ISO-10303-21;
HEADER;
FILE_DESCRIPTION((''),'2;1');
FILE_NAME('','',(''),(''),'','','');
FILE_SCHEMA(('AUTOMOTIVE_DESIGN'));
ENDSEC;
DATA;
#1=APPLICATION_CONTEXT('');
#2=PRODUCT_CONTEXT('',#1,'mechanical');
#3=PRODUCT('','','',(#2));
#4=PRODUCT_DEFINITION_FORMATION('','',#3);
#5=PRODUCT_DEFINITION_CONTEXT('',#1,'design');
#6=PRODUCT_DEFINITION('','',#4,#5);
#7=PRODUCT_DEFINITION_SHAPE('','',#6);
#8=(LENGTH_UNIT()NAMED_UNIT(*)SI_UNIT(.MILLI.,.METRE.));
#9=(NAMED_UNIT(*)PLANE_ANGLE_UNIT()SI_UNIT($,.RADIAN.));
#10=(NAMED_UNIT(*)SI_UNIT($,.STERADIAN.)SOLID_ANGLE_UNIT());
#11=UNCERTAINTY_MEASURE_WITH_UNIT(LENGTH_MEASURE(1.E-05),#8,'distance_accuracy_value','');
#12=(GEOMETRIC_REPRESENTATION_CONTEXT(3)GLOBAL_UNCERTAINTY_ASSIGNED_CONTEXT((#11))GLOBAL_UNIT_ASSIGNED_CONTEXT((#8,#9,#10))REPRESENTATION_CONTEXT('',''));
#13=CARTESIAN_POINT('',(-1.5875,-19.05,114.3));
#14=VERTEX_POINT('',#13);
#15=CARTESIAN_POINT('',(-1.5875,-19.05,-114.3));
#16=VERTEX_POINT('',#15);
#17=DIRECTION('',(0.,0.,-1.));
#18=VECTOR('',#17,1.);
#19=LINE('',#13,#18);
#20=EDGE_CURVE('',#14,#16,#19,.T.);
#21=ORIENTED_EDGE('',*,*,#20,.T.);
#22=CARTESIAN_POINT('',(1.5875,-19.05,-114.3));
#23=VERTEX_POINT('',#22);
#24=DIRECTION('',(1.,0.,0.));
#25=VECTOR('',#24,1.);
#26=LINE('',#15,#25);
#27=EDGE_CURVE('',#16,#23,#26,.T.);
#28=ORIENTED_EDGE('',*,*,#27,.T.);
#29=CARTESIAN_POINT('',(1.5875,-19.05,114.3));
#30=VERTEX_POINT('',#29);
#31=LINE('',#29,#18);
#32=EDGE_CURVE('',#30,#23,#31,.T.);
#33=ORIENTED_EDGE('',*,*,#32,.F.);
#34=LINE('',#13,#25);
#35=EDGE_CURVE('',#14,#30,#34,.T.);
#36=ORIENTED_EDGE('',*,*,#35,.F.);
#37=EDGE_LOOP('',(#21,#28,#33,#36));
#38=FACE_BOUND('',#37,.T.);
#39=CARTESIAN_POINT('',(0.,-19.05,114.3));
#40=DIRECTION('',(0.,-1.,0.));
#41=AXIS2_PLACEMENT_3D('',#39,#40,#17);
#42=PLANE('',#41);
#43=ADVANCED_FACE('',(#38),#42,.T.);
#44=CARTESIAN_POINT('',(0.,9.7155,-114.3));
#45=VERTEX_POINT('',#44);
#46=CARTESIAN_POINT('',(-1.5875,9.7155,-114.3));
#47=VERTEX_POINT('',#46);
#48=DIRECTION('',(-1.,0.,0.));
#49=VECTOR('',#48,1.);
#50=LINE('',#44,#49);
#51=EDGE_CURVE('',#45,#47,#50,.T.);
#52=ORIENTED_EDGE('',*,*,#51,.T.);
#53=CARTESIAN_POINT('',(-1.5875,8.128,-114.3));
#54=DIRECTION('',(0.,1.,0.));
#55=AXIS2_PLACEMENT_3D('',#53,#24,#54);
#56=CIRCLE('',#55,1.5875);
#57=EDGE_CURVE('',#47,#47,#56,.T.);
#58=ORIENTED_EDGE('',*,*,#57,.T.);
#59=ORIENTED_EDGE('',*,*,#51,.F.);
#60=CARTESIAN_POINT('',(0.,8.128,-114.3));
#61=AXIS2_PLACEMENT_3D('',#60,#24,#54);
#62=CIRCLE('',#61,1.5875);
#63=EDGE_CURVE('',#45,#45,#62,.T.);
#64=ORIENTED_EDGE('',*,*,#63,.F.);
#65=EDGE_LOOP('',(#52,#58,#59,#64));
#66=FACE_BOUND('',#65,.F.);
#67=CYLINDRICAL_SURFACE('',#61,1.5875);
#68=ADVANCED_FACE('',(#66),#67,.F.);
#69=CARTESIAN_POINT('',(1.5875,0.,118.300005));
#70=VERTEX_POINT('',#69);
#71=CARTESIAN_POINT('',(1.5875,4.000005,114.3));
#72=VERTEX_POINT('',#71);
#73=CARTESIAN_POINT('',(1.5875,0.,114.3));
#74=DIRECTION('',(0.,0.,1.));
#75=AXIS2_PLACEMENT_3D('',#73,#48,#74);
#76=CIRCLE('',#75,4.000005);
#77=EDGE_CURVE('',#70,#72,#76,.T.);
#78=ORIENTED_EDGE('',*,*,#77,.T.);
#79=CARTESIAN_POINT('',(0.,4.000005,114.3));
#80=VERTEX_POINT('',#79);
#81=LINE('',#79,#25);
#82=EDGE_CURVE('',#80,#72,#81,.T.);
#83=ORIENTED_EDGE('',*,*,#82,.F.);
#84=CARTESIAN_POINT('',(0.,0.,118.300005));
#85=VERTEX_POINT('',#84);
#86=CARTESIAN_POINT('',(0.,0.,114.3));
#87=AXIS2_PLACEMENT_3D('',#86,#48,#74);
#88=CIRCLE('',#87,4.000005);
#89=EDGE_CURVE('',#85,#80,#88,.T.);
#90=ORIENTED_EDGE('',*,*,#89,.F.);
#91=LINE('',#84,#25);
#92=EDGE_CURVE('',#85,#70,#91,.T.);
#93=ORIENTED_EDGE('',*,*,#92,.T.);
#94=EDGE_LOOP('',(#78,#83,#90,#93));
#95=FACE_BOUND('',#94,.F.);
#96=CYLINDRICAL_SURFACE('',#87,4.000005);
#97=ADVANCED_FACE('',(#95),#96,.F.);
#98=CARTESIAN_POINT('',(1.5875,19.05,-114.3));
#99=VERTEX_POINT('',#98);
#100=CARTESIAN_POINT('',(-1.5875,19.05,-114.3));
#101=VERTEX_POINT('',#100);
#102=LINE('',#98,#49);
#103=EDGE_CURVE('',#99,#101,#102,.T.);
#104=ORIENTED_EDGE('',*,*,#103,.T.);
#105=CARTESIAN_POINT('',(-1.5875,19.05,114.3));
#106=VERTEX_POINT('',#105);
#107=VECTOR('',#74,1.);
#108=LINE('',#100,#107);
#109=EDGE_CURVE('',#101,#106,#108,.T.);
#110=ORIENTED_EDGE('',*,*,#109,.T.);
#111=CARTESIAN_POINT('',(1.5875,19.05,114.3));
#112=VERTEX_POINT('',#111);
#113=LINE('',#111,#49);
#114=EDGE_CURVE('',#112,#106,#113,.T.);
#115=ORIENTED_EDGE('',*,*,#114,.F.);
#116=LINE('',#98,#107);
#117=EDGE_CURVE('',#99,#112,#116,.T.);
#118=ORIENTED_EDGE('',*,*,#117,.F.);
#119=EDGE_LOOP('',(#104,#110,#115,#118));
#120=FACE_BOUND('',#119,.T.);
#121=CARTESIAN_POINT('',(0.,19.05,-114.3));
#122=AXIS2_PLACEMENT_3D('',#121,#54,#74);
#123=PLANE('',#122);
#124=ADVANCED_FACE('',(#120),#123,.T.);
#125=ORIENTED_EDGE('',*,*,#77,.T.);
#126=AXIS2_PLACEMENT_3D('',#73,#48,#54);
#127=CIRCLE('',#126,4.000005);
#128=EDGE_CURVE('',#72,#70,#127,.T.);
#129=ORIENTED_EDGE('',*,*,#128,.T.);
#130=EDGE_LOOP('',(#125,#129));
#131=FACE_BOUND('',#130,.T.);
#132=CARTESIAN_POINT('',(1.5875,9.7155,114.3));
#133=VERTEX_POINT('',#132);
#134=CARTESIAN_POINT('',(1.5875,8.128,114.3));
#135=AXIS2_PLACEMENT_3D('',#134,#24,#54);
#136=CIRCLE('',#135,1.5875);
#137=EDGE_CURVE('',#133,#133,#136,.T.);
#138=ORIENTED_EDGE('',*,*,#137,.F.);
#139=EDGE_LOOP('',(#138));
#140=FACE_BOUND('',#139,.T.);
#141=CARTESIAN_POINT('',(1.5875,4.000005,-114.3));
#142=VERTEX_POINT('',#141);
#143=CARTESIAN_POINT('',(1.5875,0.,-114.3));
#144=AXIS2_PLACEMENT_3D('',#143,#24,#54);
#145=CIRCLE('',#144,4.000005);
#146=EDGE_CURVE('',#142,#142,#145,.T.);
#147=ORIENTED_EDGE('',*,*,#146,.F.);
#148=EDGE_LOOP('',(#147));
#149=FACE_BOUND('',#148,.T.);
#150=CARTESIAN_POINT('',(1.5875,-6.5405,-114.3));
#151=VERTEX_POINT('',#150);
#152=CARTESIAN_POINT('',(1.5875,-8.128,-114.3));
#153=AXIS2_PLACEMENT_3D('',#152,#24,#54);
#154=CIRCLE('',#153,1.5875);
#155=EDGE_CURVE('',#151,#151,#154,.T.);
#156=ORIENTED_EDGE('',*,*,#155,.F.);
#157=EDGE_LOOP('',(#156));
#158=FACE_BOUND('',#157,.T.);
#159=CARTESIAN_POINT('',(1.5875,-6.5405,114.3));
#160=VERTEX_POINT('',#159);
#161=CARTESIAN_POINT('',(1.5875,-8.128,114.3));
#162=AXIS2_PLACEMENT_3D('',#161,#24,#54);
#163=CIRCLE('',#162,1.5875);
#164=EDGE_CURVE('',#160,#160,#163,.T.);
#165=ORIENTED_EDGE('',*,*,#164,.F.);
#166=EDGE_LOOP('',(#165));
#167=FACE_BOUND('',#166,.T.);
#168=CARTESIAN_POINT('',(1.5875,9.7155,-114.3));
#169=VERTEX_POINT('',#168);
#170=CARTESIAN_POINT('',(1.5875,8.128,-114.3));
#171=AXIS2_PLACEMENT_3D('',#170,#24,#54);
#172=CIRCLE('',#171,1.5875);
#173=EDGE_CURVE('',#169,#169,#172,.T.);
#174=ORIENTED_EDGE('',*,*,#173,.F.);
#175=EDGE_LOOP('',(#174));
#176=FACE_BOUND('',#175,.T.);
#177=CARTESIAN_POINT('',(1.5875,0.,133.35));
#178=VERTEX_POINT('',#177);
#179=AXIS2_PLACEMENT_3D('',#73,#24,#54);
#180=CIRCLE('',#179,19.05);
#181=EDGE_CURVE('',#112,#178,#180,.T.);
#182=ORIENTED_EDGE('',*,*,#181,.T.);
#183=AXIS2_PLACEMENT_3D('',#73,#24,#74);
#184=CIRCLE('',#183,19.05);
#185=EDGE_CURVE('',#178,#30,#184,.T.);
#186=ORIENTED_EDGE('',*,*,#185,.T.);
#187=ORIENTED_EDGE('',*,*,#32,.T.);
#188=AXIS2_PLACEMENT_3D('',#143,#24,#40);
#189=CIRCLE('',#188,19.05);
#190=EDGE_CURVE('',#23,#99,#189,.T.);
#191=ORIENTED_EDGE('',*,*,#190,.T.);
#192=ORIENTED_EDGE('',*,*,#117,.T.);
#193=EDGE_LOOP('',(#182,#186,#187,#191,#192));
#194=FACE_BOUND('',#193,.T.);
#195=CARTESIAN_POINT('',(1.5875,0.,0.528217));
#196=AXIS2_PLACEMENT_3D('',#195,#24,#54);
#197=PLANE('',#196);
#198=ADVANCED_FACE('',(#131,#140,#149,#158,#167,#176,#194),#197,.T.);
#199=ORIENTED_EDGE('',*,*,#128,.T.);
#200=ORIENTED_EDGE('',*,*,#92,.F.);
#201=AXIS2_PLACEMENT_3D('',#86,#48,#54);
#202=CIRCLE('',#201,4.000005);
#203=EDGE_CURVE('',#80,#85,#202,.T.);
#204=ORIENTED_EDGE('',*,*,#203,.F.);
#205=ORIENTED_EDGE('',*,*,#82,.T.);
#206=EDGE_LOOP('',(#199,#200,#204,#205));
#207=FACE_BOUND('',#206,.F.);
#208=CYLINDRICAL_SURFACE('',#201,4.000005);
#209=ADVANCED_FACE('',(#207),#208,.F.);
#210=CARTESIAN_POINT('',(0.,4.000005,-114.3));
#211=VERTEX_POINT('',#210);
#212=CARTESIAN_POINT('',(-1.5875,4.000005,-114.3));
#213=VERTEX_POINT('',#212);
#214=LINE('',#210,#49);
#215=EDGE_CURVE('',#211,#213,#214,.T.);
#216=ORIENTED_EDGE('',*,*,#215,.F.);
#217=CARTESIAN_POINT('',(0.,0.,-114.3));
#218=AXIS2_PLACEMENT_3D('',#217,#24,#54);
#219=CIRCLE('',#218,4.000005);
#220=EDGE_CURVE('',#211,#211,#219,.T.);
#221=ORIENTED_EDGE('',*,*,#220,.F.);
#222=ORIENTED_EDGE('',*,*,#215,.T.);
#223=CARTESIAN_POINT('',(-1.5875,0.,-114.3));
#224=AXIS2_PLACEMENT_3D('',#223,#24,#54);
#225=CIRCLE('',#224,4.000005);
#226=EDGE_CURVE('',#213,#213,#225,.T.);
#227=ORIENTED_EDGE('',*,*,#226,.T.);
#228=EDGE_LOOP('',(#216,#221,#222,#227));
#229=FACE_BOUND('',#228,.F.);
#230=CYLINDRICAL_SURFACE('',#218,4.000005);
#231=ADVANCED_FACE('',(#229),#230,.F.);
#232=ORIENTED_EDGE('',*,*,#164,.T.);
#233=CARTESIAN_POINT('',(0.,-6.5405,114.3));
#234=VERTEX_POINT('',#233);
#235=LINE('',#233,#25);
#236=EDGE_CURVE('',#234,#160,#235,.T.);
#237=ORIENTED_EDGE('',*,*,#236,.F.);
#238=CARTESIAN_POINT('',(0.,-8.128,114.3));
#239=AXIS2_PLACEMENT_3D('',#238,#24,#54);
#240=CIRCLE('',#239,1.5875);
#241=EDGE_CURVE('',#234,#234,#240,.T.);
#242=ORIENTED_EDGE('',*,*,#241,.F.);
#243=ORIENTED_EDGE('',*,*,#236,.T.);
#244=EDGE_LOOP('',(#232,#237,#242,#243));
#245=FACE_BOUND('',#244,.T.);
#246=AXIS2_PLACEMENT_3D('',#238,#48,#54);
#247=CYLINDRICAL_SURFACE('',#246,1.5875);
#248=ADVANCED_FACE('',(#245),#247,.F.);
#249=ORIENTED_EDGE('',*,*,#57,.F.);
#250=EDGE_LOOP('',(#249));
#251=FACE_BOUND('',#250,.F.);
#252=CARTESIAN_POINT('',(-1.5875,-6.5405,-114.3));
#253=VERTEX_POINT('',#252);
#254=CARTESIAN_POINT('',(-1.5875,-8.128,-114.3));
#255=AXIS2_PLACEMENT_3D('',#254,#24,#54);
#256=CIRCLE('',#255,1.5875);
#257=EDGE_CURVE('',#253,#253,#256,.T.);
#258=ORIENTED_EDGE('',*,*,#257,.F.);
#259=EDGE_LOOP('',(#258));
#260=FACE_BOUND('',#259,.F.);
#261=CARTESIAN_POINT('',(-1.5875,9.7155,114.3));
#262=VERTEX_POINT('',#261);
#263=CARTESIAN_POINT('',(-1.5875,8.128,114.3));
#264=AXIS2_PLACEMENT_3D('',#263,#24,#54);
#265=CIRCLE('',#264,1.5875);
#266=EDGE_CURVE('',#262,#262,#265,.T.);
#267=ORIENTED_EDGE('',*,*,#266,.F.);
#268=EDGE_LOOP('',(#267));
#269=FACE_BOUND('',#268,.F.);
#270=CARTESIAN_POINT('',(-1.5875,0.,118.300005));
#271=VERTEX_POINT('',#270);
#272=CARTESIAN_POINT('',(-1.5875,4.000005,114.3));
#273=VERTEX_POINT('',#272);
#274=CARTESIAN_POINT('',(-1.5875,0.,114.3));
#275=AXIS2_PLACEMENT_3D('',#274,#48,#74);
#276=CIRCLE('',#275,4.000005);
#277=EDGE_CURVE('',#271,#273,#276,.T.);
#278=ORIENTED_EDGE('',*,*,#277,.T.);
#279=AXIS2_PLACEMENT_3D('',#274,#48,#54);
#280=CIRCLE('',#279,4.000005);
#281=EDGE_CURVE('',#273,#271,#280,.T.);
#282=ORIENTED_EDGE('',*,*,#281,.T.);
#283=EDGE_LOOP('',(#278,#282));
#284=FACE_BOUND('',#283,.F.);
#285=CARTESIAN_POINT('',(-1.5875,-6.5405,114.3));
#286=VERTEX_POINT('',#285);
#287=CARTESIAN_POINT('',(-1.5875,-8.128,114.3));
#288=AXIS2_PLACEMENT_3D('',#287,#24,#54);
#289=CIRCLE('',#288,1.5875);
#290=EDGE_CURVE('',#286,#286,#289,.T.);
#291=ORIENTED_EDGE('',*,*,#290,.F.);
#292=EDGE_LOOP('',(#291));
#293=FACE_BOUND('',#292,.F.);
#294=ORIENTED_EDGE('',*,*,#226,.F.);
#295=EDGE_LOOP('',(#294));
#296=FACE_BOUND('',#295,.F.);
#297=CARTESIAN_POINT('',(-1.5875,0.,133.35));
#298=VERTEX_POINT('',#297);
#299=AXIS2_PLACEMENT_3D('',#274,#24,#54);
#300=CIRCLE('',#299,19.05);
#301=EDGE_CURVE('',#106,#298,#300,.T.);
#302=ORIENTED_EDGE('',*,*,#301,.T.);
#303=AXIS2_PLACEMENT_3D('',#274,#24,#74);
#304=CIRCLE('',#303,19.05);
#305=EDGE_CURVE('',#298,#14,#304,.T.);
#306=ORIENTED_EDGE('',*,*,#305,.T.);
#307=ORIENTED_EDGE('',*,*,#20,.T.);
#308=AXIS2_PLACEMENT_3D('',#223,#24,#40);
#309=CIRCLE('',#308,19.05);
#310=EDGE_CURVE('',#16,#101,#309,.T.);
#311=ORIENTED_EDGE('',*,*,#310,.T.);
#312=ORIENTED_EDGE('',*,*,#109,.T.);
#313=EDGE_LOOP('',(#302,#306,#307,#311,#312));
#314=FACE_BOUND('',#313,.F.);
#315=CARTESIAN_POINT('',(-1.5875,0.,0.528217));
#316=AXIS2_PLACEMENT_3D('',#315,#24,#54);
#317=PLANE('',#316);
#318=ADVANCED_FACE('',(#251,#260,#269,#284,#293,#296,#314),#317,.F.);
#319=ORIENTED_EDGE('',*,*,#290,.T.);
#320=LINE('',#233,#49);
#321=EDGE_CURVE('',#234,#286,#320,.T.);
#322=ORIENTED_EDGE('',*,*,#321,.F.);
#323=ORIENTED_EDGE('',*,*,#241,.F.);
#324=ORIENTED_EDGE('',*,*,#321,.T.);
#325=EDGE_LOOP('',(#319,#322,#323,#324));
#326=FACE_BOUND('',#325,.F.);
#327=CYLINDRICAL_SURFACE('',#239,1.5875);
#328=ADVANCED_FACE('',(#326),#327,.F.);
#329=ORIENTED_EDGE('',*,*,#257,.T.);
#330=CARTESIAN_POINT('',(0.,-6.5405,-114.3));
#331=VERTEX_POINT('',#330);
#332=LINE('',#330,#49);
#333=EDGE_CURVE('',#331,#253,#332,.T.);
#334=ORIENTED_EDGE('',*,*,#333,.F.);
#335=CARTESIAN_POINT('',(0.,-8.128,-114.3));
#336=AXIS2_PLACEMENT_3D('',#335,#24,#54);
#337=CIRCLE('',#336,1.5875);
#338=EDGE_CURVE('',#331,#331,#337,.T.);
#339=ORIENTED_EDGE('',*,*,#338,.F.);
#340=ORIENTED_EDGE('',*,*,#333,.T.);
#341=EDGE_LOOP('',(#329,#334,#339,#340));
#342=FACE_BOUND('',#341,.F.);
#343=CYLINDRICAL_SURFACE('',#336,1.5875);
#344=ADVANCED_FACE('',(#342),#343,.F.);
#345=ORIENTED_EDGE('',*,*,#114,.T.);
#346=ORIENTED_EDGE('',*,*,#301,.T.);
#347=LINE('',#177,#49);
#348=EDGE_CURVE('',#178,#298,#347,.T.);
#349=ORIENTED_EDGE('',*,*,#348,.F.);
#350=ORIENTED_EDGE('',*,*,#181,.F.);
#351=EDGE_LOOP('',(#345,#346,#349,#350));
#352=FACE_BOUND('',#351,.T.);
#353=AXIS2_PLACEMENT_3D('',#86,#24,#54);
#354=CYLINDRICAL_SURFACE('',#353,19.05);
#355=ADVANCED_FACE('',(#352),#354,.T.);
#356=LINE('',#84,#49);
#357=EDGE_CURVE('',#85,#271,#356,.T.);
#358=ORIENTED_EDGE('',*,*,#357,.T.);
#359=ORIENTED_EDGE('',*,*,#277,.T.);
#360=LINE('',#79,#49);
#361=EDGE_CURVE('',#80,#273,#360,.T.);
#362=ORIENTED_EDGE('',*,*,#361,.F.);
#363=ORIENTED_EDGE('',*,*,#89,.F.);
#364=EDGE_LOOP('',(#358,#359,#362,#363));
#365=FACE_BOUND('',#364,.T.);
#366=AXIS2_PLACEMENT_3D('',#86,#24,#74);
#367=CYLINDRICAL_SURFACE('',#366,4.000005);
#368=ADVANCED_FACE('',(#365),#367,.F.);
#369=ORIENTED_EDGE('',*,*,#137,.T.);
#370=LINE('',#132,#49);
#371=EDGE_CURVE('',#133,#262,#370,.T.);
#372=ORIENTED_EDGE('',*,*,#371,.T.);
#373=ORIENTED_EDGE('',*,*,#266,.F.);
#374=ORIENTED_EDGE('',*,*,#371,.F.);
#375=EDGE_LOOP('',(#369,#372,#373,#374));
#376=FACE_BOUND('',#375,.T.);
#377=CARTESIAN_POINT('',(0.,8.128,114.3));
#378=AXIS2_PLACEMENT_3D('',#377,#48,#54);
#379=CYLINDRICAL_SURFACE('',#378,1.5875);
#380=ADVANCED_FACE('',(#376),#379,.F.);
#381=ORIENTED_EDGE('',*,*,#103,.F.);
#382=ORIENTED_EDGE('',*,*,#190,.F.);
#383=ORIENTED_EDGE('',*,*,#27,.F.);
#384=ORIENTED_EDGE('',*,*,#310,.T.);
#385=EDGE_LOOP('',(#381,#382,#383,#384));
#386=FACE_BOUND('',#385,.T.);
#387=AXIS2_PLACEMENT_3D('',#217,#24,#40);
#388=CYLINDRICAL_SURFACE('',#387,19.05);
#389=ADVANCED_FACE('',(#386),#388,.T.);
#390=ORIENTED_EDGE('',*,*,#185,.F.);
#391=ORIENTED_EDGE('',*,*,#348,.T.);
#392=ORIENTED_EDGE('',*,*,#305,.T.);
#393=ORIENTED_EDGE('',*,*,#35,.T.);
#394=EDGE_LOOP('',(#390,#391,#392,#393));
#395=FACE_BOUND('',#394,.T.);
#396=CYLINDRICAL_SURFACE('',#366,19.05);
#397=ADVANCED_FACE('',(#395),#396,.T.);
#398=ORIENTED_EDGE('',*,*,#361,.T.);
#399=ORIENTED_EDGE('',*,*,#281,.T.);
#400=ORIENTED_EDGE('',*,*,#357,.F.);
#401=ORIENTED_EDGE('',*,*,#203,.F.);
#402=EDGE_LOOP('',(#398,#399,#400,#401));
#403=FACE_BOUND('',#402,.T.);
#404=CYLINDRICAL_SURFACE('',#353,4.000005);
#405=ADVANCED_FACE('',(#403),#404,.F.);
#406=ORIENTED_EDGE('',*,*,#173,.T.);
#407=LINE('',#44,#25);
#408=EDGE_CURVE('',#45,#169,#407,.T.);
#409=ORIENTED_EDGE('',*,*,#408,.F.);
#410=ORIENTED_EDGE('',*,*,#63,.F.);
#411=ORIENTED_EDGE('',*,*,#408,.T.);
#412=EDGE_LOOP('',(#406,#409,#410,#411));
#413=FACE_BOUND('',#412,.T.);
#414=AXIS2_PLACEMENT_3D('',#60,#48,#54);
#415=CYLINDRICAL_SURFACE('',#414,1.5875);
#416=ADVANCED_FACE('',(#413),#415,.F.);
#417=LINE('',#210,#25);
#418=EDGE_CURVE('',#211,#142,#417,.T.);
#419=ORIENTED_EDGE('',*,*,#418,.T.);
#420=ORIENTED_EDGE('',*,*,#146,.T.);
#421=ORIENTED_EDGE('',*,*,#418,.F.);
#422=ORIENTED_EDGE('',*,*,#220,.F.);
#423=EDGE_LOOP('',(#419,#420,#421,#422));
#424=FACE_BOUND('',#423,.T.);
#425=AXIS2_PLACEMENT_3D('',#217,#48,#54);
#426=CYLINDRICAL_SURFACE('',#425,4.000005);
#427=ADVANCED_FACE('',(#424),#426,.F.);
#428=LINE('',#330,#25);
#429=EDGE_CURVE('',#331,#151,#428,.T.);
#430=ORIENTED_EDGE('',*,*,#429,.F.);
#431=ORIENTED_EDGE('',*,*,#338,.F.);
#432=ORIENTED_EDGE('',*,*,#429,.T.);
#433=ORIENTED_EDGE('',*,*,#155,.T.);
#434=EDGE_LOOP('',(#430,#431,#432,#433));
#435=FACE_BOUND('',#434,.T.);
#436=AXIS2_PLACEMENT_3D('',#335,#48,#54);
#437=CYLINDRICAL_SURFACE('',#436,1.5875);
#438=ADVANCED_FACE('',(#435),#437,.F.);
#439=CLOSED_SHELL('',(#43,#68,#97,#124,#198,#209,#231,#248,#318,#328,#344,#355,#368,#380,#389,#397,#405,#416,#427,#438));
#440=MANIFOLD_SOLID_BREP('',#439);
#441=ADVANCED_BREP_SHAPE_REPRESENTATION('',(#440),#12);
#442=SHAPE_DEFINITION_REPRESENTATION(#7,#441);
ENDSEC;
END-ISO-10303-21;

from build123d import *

# Parameters (mm, degrees)
F0_R     = 1.5875
F0_R_2   = 4.0000047
F1_DEPTH = 1.5875


with BuildPart() as f1:
    # F0 (on Right) → F1 (new body, symmetric)
    with BuildSketch(Plane.YZ):
        with BuildLine():
            ThreePointArc((0, 133.35), (-13.4703841816, 127.7703841816), (-19.05, 114.3))
            Line((-19.05, 114.3), (-19.05, -114.3))
            ThreePointArc((-19.05, -114.3), (0, -133.35), (19.05, -114.3))
            Line((19.05, -114.3), (19.05, 114.3))
            ThreePointArc((19.05, 114.3), (13.4703841816, 127.7703841816), (0, 133.35))
        make_face()
        with Locations((-8.128, -114.3)):
            Circle(F0_R, mode=Mode.SUBTRACT)
        with Locations((0, -114.3)):
            Circle(F0_R_2, mode=Mode.SUBTRACT)
        with Locations((8.128, -114.3)):
            Circle(F0_R, mode=Mode.SUBTRACT)
        with Locations((-8.128, 114.3)):
            Circle(F0_R, mode=Mode.SUBTRACT)
        with BuildLine():
            ThreePointArc((4.0000047, 114.3), (-2.8284304481, 111.4715695519), (0, 118.3000047))
            ThreePointArc((0, 118.3000047), (2.8284304481, 117.1284304481), (4.0000047, 114.3))
        make_face(mode=Mode.SUBTRACT)
        with Locations((8.128, 114.3)):
            Circle(F0_R, mode=Mode.SUBTRACT)
    extrude(amount=F1_DEPTH, both=True)


solid = f1.part
